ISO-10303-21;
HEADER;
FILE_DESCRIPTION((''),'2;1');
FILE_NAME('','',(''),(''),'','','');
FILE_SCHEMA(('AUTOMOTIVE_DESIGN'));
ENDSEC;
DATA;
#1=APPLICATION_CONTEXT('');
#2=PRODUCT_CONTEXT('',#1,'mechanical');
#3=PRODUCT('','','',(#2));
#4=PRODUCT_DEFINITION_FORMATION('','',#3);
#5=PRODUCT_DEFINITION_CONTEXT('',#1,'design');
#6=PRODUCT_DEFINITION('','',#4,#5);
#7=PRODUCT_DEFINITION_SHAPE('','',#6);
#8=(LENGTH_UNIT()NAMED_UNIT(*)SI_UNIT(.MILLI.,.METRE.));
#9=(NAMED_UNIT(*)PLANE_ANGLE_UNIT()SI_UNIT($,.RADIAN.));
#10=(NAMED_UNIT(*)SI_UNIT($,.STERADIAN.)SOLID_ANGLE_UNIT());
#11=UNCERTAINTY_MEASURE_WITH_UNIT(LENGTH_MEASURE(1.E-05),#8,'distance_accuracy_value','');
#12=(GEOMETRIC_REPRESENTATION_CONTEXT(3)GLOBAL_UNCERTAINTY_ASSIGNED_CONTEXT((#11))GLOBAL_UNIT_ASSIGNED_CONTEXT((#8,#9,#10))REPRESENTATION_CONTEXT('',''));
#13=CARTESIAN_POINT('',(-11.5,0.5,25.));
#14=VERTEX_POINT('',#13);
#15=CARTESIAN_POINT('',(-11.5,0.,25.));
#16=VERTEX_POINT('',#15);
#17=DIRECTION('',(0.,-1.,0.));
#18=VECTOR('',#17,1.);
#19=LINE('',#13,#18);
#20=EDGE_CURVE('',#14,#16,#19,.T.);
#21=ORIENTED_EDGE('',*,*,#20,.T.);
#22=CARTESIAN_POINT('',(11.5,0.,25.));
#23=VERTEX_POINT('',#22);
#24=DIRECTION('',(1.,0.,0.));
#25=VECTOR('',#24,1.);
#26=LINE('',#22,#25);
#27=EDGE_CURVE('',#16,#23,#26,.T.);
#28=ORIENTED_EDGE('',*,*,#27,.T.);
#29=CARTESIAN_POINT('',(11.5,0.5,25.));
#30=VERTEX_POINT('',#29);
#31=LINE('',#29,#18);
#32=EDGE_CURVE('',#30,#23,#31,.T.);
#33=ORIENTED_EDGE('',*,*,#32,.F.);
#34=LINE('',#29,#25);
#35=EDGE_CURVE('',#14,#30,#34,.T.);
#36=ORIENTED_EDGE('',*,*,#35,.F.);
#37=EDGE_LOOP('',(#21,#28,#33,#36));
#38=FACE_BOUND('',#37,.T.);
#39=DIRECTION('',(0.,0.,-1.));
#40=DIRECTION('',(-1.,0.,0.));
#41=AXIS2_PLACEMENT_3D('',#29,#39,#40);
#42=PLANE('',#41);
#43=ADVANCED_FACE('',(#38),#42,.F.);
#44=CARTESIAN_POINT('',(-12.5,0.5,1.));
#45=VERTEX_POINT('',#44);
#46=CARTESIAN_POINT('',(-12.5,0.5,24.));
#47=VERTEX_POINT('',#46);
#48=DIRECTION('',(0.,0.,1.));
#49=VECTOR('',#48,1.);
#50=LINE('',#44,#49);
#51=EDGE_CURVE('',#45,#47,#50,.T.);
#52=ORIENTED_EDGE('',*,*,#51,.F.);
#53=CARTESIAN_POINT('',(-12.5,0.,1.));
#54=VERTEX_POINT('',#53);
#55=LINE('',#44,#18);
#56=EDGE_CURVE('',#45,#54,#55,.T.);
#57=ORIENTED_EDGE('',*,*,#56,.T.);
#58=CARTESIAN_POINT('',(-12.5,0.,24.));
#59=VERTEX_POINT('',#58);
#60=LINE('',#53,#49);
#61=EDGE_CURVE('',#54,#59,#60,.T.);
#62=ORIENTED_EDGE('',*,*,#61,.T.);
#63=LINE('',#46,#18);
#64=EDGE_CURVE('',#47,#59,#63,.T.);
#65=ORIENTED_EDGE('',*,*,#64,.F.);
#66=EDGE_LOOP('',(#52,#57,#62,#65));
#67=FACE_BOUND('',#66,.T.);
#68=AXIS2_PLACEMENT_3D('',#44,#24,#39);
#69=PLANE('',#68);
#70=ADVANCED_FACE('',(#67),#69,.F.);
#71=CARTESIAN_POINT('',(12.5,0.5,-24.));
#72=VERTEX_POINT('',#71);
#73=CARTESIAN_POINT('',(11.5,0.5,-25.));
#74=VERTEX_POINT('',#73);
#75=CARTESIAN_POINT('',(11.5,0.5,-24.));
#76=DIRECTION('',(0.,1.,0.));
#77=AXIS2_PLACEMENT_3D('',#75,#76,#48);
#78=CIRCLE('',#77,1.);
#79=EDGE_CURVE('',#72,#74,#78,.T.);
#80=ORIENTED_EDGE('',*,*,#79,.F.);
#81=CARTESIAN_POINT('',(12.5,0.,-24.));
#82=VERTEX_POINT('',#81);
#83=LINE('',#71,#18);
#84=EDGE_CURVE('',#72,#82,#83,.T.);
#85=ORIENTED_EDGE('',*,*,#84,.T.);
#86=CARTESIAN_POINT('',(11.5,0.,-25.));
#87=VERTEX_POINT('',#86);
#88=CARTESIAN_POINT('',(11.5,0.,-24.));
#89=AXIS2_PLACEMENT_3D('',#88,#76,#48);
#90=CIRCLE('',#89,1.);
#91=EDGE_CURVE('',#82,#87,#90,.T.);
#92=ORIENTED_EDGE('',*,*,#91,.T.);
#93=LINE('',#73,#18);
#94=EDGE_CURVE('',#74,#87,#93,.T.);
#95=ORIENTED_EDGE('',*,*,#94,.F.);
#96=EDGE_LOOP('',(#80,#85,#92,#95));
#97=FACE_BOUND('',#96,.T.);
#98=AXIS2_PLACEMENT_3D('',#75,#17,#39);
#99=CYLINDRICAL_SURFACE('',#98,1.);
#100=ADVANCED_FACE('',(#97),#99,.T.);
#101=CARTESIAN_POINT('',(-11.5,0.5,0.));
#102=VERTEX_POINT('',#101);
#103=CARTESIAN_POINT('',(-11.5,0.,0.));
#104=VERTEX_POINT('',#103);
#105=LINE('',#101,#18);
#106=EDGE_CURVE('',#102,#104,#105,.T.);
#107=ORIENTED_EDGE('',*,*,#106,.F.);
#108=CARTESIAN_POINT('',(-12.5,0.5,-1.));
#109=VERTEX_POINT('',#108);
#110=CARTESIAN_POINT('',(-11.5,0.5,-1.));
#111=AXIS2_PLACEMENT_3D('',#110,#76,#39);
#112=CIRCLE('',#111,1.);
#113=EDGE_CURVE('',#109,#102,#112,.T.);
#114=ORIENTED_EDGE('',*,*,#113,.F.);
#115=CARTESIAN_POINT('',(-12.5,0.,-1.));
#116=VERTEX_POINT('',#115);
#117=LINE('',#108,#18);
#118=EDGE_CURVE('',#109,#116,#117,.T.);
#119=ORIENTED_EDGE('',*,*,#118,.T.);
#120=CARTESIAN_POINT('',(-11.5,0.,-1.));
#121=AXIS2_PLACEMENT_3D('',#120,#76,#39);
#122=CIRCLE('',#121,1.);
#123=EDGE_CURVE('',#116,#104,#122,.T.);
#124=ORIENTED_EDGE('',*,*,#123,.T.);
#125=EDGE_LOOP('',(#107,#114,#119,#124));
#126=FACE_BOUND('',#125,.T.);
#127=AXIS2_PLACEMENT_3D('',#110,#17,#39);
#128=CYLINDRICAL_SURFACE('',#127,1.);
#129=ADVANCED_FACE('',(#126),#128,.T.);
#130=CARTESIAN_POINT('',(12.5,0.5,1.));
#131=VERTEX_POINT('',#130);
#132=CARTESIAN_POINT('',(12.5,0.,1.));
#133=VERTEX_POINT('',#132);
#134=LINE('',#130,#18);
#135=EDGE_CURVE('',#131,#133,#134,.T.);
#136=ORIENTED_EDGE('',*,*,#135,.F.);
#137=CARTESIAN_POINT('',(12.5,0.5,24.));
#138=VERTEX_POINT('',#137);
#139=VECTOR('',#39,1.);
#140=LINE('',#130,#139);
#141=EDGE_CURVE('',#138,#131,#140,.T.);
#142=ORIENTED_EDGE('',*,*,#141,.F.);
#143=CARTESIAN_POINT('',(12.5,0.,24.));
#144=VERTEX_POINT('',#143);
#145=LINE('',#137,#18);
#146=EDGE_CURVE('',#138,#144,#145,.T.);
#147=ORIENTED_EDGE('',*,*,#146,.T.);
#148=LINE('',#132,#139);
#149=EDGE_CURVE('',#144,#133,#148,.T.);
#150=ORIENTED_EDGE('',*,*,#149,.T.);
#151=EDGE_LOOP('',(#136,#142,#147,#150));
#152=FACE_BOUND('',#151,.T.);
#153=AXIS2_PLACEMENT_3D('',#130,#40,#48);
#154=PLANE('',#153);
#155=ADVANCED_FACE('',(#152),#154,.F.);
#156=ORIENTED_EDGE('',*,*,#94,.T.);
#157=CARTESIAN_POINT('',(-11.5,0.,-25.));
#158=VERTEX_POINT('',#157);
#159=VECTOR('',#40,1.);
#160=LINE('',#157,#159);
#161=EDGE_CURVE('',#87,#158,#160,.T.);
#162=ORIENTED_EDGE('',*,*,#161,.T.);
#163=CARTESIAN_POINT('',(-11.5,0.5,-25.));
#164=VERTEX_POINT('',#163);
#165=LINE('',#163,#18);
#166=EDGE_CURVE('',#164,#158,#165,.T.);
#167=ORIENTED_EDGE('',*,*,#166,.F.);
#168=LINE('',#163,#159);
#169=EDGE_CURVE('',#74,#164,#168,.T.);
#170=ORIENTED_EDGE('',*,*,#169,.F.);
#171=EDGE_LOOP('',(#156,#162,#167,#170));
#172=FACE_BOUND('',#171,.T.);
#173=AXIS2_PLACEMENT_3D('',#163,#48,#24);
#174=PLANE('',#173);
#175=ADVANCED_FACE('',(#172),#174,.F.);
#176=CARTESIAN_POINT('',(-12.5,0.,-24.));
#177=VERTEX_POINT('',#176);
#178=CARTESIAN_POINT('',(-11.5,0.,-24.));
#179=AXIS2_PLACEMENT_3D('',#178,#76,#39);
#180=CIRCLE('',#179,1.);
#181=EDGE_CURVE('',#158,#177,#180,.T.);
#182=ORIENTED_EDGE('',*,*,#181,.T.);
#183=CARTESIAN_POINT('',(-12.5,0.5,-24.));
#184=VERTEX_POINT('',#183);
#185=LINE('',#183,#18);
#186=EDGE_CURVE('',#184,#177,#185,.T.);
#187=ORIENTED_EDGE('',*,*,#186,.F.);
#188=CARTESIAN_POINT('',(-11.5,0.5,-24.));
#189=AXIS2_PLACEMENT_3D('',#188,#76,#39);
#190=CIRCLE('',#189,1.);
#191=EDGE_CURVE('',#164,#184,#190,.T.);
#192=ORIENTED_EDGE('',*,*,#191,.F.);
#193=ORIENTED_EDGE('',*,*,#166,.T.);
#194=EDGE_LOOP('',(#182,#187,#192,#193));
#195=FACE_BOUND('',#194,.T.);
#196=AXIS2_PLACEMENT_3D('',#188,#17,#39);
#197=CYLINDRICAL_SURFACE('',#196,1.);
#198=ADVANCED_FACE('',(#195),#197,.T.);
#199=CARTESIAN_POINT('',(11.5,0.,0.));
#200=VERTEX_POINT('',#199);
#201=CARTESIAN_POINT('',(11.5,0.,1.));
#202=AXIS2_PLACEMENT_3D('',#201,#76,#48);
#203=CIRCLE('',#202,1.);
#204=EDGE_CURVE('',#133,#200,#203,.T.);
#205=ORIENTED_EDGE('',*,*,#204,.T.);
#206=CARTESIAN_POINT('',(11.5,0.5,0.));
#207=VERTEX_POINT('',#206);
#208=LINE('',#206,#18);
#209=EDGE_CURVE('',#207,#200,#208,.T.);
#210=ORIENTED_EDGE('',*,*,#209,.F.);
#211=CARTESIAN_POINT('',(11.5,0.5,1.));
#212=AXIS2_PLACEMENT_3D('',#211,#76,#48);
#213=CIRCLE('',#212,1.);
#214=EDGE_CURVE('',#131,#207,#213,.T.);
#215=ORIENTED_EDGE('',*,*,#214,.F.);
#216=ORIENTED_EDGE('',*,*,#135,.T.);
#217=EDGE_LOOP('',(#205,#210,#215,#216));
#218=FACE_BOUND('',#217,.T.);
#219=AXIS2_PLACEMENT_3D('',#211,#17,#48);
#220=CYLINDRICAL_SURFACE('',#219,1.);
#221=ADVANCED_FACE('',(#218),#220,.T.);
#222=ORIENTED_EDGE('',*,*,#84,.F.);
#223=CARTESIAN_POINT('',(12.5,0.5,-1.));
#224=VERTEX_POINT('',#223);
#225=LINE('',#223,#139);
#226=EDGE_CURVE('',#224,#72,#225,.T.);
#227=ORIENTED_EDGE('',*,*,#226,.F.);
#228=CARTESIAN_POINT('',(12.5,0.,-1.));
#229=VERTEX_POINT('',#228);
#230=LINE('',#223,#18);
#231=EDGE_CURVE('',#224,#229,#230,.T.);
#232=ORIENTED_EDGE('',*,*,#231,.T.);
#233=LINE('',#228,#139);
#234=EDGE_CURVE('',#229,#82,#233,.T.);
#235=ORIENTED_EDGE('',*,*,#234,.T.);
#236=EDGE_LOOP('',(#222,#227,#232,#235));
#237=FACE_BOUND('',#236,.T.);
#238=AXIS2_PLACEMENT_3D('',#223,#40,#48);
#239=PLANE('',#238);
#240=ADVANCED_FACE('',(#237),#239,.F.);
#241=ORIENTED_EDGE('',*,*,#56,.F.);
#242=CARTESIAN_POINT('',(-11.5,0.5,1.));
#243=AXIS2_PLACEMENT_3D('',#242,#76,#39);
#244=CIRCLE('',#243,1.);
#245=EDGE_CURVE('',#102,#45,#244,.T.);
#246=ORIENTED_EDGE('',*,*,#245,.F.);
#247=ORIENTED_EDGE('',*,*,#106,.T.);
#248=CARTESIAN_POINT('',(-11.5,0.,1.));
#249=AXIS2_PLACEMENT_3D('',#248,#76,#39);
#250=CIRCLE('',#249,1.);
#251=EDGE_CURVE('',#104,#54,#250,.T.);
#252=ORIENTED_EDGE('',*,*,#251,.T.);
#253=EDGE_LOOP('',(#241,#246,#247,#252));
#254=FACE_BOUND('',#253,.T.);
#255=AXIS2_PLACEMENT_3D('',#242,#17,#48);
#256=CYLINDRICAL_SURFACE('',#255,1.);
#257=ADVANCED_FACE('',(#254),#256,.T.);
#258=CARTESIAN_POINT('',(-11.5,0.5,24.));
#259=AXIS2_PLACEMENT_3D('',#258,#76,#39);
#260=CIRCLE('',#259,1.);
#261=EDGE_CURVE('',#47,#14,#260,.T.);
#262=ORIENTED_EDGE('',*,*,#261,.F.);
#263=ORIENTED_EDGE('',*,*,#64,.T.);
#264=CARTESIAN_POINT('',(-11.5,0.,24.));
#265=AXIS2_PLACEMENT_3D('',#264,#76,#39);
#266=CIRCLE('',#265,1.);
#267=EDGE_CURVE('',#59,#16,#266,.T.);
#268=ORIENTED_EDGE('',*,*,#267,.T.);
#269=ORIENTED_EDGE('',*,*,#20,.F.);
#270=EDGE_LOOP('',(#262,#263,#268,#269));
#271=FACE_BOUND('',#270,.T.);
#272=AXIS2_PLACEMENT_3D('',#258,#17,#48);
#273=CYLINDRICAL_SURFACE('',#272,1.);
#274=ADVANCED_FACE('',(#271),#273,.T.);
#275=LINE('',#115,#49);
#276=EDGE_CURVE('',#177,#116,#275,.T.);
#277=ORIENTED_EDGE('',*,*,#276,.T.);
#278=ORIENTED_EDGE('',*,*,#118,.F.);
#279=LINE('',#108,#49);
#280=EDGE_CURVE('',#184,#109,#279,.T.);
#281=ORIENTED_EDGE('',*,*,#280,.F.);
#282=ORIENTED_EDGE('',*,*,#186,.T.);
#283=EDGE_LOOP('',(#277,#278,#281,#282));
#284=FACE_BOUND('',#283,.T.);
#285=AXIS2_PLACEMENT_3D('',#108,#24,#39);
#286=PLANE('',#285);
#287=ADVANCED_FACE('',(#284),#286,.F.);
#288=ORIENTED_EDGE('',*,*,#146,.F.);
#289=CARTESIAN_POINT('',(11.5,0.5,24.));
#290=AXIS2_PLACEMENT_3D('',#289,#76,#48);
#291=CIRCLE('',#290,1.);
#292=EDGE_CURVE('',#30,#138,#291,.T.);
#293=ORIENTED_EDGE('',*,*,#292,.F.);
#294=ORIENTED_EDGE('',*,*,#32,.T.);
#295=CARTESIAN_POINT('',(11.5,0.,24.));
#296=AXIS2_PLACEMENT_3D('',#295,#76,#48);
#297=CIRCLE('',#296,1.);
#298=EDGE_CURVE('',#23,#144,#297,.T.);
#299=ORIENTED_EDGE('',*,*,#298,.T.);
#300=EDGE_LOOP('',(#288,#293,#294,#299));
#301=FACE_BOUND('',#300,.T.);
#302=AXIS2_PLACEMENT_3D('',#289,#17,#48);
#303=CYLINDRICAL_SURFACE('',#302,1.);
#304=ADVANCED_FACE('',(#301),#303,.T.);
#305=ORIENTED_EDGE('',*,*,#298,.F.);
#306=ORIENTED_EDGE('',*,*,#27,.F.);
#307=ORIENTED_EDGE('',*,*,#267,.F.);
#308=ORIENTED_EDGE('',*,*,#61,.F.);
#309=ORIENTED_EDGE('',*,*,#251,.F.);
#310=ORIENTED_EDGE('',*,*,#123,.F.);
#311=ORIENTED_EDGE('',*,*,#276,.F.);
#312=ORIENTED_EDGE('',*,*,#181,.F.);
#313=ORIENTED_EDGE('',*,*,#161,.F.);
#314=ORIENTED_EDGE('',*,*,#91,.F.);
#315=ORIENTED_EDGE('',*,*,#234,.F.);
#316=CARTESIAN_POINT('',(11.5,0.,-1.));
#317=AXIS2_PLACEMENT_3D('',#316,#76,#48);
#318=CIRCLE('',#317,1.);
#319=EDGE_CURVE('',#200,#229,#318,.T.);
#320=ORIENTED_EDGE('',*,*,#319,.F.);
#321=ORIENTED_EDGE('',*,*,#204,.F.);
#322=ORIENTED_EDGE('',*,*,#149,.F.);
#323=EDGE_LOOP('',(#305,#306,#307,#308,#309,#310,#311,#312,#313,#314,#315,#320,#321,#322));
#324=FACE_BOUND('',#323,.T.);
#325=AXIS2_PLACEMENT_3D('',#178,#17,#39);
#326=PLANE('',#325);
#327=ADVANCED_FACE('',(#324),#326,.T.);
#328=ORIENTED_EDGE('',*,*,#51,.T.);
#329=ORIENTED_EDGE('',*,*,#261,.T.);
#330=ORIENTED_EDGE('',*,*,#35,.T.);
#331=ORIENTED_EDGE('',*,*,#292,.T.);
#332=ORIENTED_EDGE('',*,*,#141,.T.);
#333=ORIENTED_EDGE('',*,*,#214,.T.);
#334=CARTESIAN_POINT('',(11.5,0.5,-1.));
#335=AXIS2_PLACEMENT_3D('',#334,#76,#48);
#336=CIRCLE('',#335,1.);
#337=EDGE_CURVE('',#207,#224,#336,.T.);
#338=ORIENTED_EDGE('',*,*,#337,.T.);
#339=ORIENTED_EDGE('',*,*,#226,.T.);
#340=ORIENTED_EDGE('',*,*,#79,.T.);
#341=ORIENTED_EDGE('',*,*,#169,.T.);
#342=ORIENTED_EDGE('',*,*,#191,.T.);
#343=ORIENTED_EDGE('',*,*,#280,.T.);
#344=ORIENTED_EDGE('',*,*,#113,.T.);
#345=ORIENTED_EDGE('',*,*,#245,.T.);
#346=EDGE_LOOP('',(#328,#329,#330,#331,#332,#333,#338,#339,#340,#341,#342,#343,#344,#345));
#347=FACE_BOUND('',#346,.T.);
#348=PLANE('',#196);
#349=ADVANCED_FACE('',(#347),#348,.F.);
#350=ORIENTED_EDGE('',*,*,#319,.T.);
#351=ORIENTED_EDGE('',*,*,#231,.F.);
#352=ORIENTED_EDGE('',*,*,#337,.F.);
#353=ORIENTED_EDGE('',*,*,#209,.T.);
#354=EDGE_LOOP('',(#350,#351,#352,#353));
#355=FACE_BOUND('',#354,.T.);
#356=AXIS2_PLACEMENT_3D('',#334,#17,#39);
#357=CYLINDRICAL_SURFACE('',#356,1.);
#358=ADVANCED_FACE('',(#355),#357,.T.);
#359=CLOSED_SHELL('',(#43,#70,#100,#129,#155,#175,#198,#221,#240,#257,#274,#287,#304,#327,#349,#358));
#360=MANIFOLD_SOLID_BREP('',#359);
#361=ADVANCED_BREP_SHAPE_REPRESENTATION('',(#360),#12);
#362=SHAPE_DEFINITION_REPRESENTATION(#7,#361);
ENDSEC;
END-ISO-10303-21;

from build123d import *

# Parameters (mm, degrees)
EXTRUDE_1_DEPTH          = 0.5
PATTERN_CIRCULAR_1_COUNT = 2


with BuildPart() as part:
    # 草图1 → 凸台-拉伸1 (new body)
    with BuildSketch(Plane(origin=(0, 0, 0), x_dir=(1, 0, 0), z_dir=(0, 1, 0))):
        with BuildLine():
            Line((-11.5, 0), (11.5, 0))
            ThreePointArc((11.5, 0), (12.207106781, 0.292893219), (12.5, 1))
            Line((12.5, 1), (12.5, 24))
            ThreePointArc((12.5, 24), (12.207106781, 24.707106781), (11.5, 25))
            Line((11.5, 25), (-11.5, 25))
            ThreePointArc((-11.5, 25), (-12.207106781, 24.707106781), (-12.5, 24))
            Line((-12.5, 24), (-12.5, 1))
            ThreePointArc((-12.5, 1), (-12.207106781, 0.292893219), (-11.5, 0))
        make_face()
    extrude(amount=EXTRUDE_1_DEPTH)


with BuildPart() as pattern_circular_1_1:
    # 阵列(圆周)1: pattern copy
    add(part.part.rotate(Axis((0, 0, 0), (0, 1, 0)), 1 * 360 / PATTERN_CIRCULAR_1_COUNT))


with BuildPart() as part_1:
    add(part.part)

    # Combine 1: union 阵列(圆周)1_1
    add(pattern_circular_1_1.part)


solid = part_1.part
